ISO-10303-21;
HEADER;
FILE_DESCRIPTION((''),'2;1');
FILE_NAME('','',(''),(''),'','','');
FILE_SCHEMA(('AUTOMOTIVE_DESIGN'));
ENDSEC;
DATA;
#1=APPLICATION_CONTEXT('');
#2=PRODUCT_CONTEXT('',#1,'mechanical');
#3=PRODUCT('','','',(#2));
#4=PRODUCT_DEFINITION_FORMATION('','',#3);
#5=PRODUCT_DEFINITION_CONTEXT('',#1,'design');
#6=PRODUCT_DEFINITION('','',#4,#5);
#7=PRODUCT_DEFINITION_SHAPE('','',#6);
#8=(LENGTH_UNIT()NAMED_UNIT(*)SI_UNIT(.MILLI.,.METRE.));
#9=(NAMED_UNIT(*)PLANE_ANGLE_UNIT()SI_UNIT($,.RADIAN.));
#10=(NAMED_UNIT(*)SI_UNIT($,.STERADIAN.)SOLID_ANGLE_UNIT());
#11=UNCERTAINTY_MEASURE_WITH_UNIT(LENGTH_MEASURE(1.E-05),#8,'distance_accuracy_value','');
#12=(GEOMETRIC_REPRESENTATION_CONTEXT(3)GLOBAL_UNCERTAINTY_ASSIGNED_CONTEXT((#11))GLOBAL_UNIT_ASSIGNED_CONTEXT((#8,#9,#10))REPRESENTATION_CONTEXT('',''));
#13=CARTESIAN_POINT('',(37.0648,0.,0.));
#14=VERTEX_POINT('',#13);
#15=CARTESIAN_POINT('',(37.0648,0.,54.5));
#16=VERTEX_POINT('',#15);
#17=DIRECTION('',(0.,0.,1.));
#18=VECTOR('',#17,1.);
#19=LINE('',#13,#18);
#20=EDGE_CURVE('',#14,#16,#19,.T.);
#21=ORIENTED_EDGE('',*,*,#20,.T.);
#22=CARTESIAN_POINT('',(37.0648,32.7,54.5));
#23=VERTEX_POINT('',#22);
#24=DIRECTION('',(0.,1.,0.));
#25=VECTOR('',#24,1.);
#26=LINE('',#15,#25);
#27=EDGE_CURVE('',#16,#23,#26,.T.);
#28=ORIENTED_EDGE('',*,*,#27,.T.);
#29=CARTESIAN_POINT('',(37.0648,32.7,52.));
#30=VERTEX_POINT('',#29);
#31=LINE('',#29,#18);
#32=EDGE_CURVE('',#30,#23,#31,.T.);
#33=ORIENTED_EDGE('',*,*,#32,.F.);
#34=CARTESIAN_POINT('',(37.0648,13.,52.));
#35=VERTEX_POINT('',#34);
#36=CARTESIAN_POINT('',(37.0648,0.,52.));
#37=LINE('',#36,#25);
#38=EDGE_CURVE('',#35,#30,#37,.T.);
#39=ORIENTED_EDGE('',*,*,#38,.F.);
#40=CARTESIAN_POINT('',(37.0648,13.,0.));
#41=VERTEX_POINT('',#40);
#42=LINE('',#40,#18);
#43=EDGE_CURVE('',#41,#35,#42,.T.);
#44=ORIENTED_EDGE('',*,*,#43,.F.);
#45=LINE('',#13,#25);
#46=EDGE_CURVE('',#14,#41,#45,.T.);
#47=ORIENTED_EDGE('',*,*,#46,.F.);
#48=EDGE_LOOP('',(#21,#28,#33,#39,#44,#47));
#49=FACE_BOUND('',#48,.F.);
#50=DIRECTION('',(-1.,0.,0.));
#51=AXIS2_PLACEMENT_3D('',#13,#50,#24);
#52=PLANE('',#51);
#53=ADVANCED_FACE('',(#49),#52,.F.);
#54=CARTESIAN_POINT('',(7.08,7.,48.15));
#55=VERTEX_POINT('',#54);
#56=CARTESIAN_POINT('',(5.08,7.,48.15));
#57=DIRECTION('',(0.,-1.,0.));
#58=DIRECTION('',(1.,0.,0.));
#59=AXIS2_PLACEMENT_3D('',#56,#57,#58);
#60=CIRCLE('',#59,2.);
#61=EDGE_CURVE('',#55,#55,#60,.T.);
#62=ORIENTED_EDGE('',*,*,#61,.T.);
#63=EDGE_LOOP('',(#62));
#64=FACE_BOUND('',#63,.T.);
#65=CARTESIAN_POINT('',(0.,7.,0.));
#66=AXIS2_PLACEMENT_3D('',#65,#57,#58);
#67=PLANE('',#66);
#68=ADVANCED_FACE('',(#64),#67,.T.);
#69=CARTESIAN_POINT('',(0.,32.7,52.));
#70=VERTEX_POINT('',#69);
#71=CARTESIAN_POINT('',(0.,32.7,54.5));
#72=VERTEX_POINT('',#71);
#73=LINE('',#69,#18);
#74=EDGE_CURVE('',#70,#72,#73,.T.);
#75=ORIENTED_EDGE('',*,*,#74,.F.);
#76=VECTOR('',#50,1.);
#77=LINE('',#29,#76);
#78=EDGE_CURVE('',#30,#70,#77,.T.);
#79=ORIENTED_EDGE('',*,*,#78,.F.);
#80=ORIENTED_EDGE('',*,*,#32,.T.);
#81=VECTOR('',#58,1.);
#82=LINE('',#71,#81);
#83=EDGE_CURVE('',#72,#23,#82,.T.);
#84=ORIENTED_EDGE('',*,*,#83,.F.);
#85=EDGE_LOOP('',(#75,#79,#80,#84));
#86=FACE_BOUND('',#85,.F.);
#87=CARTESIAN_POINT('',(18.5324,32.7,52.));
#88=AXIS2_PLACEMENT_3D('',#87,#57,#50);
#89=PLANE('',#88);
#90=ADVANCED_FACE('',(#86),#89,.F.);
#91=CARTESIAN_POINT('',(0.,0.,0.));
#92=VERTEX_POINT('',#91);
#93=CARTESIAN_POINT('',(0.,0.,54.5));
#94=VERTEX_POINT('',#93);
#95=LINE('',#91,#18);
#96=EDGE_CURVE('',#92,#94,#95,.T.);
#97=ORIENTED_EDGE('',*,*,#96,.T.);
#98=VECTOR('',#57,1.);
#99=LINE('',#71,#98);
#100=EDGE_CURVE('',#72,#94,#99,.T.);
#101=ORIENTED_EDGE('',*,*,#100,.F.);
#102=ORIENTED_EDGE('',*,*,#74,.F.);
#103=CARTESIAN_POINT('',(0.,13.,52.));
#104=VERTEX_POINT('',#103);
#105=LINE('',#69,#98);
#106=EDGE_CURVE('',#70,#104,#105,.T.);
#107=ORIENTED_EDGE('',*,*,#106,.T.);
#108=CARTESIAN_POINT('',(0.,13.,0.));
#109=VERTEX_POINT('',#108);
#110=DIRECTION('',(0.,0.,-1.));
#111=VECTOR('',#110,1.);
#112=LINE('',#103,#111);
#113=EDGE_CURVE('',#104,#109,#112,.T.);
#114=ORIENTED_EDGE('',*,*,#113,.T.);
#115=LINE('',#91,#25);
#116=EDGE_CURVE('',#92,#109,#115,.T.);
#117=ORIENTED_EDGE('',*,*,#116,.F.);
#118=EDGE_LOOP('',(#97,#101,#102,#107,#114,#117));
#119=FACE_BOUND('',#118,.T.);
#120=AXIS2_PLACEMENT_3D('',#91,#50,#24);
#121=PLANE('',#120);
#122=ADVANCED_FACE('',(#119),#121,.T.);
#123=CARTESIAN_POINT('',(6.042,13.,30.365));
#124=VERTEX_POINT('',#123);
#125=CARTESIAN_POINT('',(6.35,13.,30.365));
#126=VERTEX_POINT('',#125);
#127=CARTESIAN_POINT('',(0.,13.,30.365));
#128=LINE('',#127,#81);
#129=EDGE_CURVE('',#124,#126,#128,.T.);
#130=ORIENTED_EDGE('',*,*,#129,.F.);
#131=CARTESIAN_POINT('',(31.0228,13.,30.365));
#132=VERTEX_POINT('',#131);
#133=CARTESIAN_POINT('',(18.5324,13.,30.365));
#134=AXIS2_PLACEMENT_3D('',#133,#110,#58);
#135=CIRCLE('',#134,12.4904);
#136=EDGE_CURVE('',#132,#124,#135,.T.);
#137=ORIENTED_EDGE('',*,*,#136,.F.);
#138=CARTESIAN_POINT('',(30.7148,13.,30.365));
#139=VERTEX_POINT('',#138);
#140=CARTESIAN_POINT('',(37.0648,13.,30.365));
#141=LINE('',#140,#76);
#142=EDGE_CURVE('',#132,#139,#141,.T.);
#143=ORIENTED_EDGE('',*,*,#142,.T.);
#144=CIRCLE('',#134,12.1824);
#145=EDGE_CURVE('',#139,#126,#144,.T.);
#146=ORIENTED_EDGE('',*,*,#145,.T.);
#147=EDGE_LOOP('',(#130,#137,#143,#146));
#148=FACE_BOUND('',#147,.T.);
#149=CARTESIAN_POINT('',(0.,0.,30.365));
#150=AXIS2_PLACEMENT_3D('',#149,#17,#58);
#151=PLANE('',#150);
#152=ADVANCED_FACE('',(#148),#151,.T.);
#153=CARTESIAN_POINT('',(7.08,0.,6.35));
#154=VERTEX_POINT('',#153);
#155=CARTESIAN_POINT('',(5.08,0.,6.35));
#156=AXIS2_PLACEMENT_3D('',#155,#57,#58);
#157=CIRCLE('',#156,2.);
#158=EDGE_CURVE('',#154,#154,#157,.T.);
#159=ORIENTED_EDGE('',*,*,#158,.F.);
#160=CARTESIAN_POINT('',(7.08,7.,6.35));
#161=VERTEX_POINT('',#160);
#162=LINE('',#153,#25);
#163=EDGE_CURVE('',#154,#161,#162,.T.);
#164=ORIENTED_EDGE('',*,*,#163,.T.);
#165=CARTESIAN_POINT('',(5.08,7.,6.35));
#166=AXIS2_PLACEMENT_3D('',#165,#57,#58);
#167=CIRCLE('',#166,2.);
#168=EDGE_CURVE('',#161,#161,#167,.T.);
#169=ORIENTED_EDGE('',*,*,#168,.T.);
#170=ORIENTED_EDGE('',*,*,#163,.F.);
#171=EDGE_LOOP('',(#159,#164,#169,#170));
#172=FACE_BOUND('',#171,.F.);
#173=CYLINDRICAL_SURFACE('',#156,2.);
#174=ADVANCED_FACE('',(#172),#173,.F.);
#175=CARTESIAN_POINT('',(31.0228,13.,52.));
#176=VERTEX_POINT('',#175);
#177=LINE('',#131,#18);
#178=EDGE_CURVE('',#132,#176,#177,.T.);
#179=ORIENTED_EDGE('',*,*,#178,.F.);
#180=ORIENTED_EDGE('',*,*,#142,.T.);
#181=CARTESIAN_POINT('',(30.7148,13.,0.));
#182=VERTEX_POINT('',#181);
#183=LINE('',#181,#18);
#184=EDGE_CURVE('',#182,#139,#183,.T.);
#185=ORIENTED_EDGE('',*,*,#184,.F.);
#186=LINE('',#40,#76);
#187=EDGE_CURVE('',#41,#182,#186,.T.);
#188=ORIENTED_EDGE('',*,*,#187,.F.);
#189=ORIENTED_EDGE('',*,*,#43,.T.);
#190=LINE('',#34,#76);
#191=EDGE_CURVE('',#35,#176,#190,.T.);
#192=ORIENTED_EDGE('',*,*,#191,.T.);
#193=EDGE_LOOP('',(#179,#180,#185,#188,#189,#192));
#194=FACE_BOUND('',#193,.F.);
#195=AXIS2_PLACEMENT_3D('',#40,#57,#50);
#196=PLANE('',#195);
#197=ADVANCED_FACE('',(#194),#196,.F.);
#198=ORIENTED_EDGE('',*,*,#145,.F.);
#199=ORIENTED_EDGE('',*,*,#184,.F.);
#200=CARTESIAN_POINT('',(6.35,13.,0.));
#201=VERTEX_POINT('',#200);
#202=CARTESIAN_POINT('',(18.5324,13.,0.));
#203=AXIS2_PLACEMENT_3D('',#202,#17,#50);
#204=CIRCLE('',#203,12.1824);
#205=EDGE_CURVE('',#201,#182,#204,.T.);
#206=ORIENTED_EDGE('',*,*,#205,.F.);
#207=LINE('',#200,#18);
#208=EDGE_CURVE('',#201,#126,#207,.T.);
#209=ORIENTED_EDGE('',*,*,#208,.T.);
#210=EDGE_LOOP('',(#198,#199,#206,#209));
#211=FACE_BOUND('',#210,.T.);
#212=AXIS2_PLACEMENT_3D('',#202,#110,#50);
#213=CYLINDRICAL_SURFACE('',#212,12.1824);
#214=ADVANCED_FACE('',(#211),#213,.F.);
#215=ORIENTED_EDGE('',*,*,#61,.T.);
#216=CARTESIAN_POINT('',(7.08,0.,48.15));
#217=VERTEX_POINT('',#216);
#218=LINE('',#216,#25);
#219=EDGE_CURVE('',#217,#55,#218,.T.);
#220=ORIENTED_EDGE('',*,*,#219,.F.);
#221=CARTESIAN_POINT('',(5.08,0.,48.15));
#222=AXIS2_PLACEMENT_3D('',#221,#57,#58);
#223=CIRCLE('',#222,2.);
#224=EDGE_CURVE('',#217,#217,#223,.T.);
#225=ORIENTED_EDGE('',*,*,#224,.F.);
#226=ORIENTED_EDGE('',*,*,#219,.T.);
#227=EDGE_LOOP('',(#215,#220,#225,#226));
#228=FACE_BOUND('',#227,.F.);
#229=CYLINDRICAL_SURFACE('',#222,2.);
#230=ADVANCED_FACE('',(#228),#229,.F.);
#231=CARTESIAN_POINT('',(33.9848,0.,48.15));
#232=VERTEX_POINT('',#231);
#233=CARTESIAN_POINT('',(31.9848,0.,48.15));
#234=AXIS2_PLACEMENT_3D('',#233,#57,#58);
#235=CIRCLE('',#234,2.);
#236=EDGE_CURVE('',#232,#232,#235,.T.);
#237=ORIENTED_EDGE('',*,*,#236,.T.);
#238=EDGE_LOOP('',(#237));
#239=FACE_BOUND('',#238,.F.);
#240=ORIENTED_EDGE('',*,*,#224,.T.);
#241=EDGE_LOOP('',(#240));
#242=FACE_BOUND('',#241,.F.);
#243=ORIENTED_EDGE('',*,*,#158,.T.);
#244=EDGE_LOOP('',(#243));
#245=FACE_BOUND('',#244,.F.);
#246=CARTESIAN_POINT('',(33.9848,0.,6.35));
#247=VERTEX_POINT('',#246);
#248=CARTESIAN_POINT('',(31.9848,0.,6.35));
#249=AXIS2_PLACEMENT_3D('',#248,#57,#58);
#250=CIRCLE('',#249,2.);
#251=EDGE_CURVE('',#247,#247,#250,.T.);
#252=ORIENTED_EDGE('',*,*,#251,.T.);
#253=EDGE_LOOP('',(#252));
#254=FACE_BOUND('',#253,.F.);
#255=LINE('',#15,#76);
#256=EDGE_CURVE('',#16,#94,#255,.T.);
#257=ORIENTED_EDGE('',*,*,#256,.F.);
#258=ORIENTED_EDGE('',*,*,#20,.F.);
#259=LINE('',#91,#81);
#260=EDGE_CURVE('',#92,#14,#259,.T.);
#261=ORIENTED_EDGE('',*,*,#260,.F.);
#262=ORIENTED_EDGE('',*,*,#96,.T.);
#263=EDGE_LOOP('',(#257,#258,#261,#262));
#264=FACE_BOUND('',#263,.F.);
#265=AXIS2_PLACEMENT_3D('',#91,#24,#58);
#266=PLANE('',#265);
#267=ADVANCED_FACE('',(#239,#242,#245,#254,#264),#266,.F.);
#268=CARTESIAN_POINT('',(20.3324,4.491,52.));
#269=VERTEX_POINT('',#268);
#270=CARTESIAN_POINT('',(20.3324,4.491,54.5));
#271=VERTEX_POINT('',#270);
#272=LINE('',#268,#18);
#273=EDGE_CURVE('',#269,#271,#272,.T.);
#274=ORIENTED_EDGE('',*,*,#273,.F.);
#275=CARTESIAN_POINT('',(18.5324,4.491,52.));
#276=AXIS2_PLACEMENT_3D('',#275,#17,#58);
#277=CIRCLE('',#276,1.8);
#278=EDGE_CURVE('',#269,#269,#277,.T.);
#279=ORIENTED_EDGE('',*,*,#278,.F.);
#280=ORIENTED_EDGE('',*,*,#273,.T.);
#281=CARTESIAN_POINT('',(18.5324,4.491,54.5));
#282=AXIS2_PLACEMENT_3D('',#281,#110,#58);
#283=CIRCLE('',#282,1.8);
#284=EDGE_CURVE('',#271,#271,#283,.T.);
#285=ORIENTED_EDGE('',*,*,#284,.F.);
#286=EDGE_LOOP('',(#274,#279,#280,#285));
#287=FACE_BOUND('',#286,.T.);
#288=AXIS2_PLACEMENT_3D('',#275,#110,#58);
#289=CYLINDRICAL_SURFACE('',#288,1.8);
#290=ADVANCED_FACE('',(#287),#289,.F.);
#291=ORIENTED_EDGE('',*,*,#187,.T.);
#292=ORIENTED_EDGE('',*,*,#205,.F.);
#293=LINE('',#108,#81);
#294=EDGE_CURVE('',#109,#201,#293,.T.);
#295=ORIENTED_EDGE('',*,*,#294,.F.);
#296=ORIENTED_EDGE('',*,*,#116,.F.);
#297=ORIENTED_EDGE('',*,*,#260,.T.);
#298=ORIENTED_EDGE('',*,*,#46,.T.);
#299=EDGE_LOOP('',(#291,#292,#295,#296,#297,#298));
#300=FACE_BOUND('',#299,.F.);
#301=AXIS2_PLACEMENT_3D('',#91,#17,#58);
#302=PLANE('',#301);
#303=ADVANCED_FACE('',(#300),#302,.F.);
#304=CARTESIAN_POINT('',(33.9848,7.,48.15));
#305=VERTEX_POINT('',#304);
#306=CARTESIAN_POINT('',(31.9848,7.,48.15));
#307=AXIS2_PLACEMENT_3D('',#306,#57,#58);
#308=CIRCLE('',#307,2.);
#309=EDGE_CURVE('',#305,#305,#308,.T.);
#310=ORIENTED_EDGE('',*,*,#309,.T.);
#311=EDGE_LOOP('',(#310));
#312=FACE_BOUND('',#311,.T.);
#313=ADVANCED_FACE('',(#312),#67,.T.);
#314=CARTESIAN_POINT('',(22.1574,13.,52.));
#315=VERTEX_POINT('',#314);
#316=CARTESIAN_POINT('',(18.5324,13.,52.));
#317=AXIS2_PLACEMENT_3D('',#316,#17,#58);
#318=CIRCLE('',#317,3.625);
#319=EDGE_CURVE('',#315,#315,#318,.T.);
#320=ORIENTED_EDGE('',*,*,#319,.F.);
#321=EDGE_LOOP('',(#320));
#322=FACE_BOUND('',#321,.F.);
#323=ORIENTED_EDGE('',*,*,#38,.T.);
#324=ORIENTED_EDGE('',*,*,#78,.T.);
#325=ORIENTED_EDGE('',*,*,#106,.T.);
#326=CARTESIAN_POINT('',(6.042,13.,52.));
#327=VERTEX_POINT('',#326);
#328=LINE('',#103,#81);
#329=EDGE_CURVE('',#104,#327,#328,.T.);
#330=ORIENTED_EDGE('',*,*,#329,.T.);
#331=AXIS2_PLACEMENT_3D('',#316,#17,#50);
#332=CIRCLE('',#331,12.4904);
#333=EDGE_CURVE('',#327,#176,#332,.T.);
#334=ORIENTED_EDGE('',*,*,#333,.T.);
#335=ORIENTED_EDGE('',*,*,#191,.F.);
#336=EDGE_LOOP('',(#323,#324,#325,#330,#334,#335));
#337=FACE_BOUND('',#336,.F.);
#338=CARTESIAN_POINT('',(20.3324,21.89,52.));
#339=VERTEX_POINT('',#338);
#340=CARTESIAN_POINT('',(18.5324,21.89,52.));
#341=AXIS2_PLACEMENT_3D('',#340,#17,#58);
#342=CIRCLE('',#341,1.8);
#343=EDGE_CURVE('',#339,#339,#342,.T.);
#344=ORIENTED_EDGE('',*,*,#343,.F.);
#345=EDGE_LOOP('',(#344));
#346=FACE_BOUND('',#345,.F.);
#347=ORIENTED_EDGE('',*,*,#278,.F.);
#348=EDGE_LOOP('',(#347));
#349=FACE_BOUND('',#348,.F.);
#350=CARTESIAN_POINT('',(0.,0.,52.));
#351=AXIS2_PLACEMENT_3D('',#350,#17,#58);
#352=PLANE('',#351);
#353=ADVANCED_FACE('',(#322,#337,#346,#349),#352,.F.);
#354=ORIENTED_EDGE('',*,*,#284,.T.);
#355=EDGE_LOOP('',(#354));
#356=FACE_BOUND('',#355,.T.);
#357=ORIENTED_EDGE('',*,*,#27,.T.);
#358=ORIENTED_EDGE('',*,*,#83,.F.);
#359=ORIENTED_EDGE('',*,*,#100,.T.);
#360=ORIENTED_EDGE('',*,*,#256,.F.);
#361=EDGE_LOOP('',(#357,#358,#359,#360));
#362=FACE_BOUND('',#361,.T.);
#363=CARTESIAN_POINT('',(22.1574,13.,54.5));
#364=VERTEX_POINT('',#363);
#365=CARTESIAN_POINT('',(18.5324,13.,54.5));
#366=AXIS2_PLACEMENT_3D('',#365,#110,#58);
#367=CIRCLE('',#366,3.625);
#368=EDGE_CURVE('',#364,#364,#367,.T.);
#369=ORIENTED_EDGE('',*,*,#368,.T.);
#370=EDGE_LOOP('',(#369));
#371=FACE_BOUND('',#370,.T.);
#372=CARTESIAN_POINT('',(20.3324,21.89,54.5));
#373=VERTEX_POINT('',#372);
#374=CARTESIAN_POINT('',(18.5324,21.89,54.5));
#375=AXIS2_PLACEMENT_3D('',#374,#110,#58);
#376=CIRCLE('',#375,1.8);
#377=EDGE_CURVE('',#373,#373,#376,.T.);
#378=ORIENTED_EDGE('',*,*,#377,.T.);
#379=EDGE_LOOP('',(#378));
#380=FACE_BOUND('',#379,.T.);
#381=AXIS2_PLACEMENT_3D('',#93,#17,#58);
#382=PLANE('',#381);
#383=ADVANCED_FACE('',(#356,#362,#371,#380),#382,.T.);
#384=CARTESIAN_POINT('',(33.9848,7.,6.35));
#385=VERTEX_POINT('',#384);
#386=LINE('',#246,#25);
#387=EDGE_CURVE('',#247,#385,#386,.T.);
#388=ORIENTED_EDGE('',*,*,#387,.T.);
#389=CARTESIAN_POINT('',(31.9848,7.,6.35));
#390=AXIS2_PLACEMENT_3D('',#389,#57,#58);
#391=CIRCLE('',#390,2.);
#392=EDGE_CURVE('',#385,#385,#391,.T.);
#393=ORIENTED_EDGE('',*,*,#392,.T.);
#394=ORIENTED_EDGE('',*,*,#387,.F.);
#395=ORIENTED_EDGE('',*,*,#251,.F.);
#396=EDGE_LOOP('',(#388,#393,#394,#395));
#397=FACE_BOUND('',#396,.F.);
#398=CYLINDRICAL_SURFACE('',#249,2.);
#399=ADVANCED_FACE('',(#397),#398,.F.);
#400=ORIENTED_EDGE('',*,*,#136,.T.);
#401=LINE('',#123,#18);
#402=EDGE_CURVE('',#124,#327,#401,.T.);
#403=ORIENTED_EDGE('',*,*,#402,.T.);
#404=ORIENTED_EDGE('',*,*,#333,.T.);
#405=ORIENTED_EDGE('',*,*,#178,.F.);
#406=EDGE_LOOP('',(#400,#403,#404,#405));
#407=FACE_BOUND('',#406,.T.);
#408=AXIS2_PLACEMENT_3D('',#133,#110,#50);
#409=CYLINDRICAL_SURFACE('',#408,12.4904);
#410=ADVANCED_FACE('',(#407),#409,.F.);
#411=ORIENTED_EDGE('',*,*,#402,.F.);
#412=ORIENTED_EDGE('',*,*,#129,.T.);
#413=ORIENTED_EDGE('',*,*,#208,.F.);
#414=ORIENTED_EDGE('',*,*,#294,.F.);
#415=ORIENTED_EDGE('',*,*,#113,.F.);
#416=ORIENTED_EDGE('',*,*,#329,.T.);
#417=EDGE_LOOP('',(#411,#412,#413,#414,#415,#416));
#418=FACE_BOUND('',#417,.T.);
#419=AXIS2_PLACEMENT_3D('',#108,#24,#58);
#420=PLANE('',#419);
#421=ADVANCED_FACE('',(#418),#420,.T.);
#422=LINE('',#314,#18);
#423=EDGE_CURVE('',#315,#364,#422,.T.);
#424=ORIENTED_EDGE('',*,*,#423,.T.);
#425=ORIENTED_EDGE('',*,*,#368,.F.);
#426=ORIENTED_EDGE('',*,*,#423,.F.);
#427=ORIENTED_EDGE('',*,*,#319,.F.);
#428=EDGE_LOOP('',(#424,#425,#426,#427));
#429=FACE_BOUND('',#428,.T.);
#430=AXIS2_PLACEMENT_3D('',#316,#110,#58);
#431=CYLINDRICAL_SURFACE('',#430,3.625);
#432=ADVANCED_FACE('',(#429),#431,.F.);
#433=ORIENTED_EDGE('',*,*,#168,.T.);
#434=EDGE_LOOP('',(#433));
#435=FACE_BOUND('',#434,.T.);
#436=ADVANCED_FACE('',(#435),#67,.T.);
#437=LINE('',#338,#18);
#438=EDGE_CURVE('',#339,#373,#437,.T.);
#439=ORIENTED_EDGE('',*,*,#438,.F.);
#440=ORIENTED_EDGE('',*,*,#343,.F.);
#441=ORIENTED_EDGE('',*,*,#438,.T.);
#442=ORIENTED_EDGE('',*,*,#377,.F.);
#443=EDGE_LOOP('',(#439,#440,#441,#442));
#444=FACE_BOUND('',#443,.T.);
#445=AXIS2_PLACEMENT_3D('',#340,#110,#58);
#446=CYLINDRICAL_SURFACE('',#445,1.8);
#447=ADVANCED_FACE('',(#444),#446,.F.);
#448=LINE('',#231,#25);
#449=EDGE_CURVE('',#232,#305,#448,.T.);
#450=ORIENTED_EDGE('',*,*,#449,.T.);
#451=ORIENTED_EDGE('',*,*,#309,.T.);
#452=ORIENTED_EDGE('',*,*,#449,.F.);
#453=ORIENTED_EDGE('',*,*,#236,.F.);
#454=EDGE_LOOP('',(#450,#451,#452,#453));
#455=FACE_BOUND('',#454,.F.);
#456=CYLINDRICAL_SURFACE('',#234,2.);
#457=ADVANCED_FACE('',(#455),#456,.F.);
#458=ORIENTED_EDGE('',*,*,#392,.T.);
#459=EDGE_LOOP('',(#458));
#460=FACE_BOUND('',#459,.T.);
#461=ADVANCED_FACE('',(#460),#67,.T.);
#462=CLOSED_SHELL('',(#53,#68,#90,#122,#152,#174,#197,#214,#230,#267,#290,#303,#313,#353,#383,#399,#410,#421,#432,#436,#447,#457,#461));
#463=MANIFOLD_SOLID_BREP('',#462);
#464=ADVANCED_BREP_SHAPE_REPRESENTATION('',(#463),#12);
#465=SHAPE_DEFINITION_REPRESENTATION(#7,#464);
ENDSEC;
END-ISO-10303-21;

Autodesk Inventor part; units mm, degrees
ref_plane "YZ Plane" through (0, 0, 0) normal (1, 0, 0) x (0, 1, 0)
ref_plane "XZ Plane" through (0, 0, 0) normal (0, 1, 0) x (-1, 0, 0)
ref_plane "XY Plane" through (0, 0, 0) normal (0, 0, 1) x (1, 0, 0)
sketch "Sketch1" plane through (0, 0, 0) normal (0, 0, 1) x (1, 0, 0)
  line L0 (0, 0) -> (37.0648, 0)
  line L1 (37.0648, 0) -> (37.0648, 13)
  line L2 (0, 0) -> (0, 13)
  line L3 (0, 13) -> (6.35, 13)
  line L4 (37.0648, 13) -> (30.7148, 13)
  line L5 (18.5324, 0) -> (18.5324, 24.6661)
  line L6 (6.35, 13) -> (30.7148, 13) construction
  arc A0 (6.35, 13) -> (30.7148, 13) centre (18.5324, 13) ccw
  dimension "d0" = 37.0648
  dimension "d1" = 13
  dimension "d2" = 13
  dimension "d3" = 6.35
  dimension "d4" = 6.35
  dimension "d5" = 12.1824
  dimension "d6" = 13
extrude "Extrusion1" add sketch "Sketch1" along normal blind 30.365
sketch "Sketch2" plane through (0, 0, 30.365) normal (0, 0, 1) x (1, 0, 0)
  line L0 (0, 13) -> (0, 0) projected
  line L1 (0, 0) -> (37.0648, 0) projected
  line L2 (0, 0) -> (37.0648, 0)
  line L3 (37.0648, 0) -> (37.0648, 13)
  line L4 (0, 0) -> (0, 13)
  line L5 (0, 13) -> (6.042, 13)
  arc A0 (6.35, 13) -> (30.7148, 13) centre (18.5324, 13) ccw projected
  line L6 (6.35, 13) -> (30.7148, 13) construction
  line L7 (18.5324, 0) -> (18.5324, 13)
  line L8 (37.0648, 13) -> (31.0228, 13)
  arc A1 (6.042, 13) -> (31.0228, 13) centre (18.5324, 13) ccw
  point P0 (0, 13)
  point P1 (37.0648, 13)
  dimension "d9" = 13
  dimension "d10" = 13
  dimension "d11" = 6.042
  dimension "d13" = 37.0648
  dimension "d15" = 6.042
  dimension "d16" = 12.4904
extrude "Extrusion2" add sketch "Sketch2" along normal blind 21.635
sketch "Sketch3" plane through (0, 0, 52) normal (0, 0, 1) x (1, 0, 0)
  line L0 (0, 0) -> (37.0648, 0)
  line L1 (0, 0) -> (37.0648, 0)
  line L2 (37.0648, 0) -> (37.0648, 32.7)
  line L3 (37.0648, 32.7) -> (0, 32.7)
  line L4 (0, 32.7) -> (0, 0)
  line L5 (18.5324, 32.7) -> (18.5324, 0)
  line L6 (0, 0) -> (37.0648, 0) projected
  circle A0 centre (18.5324, 21.89) radius 1.8
  circle A1 centre (18.5324, 13) radius 3.625
  circle A2 centre (18.5324, 4.491) radius 1.8
  dimension "d19" = 37.0648
  dimension "d20" = 32.7
  dimension "d21" = 7.25
  dimension "d22" = 3.6
  dimension "d23" = 3.6
  dimension "d24" = 13
  dimension "d25" = 8.509
  dimension "d26" = 8.89
extrude "Extrusion3" add sketch "Sketch3" along normal blind 2.5 contours L4 L3 L5 A0 A1 A2 L0 | L5 A2 A1 A0 L3 L2 L0
sketch "Sketch4" plane through (0, 0, 0) normal (0, -1, 0) x (1, 0, 0)
  circle A0 centre (31.9848, 48.15) radius 2
  circle A1 centre (5.08, 48.15) radius 2
  circle A2 centre (31.9848, 6.35) radius 2
  circle A3 centre (5.08, 6.35) radius 2
  line L0 (0, 54.5) -> (37.0648, 54.5) projected
  line L1 (37.0648, 0) -> (37.0648, 54.5) projected
  line L2 (0, 0) -> (37.0648, 0) projected
  line L3 (0, 0) -> (0, 54.5) projected
  dimension "d29" = 4
  dimension "d30" = 4
  dimension "d32" = 4
  dimension "d33" = 4
  dimension "d34" = 6.35
  dimension "d35" = 5.08
  dimension "d36" = 5.08
  dimension "d37" = 6.35
  dimension "d38" = 6.35
  dimension "d39" = 5.08
  dimension "d40" = 6.35
  dimension "d41" = 5.08
  dimension "d42" = 26.9048
  dimension "d43" = 41.8
extrude "Extrusion4" cut sketch "Sketch4" against normal blind 7 contours A0 | A1 | A2 | A3
equation "\"d1\" = motor_centerline_height"
equation "\"d2\" = d1"
equation "\"d24\" = motor_centerline_height"
equation "\"m3_heat_set_insert\" = 4"
equation "\"m3_clearance\" = 3.4"
equation "\"m3_heat_set_depth\" = 7"
equation "\"robot_diameter\" = 354"
equation "\"hardboard_thickness\" = 5"
equation "\"motor_centerline_height\" = 13"
properties part number "motor_holder"
